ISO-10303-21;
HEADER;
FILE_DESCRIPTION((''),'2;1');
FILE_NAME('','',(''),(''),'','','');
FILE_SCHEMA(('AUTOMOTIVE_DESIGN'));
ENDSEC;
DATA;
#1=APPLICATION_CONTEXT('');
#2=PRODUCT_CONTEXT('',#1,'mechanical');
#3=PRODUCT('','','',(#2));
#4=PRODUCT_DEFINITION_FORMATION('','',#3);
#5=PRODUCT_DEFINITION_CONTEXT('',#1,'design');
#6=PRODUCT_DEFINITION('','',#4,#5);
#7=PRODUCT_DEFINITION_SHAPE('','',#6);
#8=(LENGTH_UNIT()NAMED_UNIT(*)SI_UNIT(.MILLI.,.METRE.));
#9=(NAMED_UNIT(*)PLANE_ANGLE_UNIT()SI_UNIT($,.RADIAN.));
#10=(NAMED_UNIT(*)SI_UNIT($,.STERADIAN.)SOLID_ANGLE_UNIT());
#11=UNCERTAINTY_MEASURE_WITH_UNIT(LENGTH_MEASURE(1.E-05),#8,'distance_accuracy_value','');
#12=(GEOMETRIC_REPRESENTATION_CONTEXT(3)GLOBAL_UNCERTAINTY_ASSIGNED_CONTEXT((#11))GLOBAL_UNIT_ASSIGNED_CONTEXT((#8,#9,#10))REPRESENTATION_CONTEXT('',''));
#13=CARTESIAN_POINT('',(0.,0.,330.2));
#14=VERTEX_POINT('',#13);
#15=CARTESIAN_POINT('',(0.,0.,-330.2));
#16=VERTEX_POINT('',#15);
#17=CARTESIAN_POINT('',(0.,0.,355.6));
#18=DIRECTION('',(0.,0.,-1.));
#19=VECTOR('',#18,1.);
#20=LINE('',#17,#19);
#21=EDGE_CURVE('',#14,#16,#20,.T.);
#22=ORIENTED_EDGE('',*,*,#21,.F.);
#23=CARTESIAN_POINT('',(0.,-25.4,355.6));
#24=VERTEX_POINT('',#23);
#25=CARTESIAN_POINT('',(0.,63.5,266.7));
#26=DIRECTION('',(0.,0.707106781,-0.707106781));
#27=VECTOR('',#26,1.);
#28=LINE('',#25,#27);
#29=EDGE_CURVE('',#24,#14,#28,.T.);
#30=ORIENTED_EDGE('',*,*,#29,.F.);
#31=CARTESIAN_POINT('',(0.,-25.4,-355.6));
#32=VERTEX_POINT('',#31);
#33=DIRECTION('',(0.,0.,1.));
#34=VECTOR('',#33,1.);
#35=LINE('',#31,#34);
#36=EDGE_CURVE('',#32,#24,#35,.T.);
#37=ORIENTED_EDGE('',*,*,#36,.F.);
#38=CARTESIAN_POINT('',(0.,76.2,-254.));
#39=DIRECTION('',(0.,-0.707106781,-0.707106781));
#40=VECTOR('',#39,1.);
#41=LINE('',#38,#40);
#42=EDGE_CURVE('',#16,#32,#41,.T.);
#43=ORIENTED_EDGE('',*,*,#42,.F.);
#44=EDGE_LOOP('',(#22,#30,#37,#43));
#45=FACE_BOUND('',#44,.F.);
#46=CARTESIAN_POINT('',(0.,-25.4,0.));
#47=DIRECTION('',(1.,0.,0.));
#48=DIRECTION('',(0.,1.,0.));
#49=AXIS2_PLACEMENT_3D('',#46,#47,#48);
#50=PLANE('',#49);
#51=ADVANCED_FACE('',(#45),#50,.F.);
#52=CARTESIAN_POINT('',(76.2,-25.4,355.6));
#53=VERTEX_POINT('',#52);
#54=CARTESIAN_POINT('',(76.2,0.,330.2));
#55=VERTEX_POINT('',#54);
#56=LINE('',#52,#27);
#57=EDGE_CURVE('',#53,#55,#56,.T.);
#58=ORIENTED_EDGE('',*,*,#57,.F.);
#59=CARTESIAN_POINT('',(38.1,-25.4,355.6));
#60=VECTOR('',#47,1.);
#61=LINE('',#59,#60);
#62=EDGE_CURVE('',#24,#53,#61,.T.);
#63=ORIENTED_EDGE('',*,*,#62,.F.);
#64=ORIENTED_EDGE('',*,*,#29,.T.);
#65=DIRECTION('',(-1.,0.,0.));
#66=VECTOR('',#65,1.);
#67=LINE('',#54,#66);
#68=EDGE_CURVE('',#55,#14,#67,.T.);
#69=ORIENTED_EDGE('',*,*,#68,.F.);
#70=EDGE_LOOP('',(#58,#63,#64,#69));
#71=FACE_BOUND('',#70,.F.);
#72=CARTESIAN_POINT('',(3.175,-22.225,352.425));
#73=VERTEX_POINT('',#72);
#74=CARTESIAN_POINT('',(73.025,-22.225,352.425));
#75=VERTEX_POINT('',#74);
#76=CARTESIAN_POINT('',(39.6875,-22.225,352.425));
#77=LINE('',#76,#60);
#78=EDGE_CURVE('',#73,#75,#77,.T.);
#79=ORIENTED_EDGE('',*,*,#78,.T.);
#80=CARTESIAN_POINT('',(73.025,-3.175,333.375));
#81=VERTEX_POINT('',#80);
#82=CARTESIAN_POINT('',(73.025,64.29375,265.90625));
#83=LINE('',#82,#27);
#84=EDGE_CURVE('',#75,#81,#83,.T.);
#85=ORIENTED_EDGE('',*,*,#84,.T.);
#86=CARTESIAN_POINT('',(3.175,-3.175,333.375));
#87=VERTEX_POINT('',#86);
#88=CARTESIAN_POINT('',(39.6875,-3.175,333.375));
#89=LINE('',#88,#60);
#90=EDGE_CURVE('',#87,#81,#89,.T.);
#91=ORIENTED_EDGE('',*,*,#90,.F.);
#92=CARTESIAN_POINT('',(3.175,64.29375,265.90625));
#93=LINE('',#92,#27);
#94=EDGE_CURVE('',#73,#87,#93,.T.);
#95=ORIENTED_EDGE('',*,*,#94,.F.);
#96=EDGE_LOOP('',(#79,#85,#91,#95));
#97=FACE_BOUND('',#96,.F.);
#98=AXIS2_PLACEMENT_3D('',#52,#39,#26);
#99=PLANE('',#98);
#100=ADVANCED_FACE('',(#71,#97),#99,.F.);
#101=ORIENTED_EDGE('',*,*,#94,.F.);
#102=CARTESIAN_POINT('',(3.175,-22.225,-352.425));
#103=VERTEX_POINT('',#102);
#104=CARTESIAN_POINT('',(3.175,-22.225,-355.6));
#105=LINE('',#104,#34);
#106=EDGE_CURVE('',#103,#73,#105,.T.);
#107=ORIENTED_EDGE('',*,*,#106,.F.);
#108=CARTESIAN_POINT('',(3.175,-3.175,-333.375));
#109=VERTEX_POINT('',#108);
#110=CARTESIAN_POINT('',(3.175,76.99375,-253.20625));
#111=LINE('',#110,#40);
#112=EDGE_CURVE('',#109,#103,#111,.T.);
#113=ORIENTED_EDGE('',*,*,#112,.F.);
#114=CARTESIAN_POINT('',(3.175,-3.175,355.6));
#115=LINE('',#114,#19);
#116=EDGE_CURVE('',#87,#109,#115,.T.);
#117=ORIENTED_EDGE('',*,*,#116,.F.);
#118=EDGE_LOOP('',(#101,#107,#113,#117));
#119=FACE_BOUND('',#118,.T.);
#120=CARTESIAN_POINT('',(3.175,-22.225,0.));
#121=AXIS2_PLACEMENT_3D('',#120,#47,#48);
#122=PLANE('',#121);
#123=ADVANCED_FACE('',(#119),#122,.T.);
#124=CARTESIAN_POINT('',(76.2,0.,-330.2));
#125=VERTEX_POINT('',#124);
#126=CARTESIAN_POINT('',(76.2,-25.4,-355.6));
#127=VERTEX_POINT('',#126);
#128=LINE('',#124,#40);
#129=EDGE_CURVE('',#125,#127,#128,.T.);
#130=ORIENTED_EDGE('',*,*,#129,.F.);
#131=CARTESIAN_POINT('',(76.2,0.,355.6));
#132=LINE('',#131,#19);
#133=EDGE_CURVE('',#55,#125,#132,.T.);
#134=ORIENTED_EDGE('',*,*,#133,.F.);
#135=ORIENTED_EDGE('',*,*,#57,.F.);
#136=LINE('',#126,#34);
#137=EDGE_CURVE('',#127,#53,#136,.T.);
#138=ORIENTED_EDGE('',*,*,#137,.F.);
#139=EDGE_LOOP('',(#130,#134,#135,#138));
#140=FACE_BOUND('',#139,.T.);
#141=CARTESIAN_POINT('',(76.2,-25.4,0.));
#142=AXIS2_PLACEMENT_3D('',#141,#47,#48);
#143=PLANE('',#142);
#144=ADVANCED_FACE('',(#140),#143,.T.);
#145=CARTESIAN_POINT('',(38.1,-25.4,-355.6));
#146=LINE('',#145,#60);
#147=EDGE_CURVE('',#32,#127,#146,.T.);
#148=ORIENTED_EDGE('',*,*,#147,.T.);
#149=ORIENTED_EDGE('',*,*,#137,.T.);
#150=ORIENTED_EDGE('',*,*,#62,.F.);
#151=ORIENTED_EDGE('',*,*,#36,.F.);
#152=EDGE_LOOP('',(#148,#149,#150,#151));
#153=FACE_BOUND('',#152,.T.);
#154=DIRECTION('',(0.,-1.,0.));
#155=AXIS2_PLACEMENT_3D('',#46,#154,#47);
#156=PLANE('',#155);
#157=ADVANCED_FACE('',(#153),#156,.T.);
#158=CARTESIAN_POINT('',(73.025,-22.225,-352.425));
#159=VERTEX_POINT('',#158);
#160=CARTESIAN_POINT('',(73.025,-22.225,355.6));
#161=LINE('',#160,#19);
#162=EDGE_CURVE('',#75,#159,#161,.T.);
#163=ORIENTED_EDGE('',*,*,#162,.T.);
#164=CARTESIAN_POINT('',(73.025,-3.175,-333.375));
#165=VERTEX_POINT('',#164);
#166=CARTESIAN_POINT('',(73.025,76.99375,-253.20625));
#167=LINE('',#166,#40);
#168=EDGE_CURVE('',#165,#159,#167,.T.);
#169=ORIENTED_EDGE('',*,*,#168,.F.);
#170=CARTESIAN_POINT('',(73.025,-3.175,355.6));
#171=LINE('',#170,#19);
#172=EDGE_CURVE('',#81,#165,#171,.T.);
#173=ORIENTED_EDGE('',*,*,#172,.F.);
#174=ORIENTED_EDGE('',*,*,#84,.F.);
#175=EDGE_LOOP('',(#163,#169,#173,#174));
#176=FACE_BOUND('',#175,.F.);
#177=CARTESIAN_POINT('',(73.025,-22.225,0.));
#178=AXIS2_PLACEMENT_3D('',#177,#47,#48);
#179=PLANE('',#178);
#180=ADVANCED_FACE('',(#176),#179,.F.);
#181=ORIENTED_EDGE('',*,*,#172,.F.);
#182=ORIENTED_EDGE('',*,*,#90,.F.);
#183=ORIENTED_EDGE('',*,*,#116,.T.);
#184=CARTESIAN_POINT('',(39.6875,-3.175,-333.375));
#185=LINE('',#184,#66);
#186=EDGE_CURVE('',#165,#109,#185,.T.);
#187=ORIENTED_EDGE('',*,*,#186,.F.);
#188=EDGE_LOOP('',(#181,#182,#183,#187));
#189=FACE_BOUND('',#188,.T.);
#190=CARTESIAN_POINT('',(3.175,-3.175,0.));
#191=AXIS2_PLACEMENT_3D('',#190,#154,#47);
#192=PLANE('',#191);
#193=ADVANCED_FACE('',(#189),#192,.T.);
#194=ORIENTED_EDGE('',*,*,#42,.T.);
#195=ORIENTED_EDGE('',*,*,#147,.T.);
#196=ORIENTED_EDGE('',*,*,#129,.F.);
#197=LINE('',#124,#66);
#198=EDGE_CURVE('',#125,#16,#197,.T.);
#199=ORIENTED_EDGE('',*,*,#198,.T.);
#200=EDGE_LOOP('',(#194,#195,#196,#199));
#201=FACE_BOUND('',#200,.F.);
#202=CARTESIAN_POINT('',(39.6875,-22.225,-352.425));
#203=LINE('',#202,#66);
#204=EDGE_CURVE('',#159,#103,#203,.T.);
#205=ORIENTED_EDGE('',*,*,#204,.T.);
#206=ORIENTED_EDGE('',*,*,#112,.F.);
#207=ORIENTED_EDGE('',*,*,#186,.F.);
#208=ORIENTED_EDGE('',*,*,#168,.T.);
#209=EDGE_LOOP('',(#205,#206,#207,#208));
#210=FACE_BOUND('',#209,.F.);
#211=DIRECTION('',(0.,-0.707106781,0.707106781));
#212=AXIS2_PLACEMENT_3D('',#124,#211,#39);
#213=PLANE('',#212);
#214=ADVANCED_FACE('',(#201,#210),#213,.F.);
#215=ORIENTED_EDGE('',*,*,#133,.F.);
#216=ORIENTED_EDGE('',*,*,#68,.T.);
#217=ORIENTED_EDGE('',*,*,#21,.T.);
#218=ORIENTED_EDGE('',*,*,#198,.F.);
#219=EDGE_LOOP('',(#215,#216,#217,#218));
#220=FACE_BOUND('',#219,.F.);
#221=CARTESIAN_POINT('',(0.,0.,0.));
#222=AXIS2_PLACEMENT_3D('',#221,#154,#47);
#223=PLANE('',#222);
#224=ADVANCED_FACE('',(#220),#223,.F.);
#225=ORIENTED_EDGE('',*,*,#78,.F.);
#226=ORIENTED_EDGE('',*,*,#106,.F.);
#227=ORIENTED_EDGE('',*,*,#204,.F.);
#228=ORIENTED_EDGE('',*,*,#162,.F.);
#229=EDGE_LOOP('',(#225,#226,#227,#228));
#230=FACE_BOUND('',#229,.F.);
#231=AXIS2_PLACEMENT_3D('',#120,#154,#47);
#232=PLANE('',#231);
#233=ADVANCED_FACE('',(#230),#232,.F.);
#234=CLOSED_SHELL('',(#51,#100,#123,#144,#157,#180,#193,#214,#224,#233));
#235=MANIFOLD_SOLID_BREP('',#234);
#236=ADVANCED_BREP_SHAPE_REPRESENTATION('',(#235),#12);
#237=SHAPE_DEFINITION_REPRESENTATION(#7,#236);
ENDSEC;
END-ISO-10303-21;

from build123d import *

# Parameters (mm, degrees)
F0_W          = 76.2
F0_H          = 25.4
F0_W_2        = 69.85
F0_H_2        = 19.05
F1_DEPTH      = 355.6
F1_DEPTH_BACK = 355.6
F3_DEPTH      = 76.201


with BuildPart() as f1:
    # F0 (on Top) → F1 (new body, two sides)
    with BuildSketch(Plane.XY) as f1_sk:
        with Locations((38.1, -12.7)):
            Rectangle(F0_W, F0_H)
        with Locations((38.1, -12.7)):
            Rectangle(F0_W_2, F0_H_2, mode=Mode.SUBTRACT)
    extrude(amount=F1_DEPTH)
    extrude(f1_sk.sketch, amount=-F1_DEPTH_BACK)

    # F2 (on face) → F3 (cut, through all)
    with BuildSketch(Plane.YZ.offset(76.2)):
        Polygon((0, 355.6), (-25.4, 355.6), (0, 330.2), align=None)
        Polygon((0, -330.2), (-25.4, -355.6), (0, -355.6), align=None)
    extrude(amount=-F3_DEPTH, mode=Mode.SUBTRACT)


solid = f1.part
